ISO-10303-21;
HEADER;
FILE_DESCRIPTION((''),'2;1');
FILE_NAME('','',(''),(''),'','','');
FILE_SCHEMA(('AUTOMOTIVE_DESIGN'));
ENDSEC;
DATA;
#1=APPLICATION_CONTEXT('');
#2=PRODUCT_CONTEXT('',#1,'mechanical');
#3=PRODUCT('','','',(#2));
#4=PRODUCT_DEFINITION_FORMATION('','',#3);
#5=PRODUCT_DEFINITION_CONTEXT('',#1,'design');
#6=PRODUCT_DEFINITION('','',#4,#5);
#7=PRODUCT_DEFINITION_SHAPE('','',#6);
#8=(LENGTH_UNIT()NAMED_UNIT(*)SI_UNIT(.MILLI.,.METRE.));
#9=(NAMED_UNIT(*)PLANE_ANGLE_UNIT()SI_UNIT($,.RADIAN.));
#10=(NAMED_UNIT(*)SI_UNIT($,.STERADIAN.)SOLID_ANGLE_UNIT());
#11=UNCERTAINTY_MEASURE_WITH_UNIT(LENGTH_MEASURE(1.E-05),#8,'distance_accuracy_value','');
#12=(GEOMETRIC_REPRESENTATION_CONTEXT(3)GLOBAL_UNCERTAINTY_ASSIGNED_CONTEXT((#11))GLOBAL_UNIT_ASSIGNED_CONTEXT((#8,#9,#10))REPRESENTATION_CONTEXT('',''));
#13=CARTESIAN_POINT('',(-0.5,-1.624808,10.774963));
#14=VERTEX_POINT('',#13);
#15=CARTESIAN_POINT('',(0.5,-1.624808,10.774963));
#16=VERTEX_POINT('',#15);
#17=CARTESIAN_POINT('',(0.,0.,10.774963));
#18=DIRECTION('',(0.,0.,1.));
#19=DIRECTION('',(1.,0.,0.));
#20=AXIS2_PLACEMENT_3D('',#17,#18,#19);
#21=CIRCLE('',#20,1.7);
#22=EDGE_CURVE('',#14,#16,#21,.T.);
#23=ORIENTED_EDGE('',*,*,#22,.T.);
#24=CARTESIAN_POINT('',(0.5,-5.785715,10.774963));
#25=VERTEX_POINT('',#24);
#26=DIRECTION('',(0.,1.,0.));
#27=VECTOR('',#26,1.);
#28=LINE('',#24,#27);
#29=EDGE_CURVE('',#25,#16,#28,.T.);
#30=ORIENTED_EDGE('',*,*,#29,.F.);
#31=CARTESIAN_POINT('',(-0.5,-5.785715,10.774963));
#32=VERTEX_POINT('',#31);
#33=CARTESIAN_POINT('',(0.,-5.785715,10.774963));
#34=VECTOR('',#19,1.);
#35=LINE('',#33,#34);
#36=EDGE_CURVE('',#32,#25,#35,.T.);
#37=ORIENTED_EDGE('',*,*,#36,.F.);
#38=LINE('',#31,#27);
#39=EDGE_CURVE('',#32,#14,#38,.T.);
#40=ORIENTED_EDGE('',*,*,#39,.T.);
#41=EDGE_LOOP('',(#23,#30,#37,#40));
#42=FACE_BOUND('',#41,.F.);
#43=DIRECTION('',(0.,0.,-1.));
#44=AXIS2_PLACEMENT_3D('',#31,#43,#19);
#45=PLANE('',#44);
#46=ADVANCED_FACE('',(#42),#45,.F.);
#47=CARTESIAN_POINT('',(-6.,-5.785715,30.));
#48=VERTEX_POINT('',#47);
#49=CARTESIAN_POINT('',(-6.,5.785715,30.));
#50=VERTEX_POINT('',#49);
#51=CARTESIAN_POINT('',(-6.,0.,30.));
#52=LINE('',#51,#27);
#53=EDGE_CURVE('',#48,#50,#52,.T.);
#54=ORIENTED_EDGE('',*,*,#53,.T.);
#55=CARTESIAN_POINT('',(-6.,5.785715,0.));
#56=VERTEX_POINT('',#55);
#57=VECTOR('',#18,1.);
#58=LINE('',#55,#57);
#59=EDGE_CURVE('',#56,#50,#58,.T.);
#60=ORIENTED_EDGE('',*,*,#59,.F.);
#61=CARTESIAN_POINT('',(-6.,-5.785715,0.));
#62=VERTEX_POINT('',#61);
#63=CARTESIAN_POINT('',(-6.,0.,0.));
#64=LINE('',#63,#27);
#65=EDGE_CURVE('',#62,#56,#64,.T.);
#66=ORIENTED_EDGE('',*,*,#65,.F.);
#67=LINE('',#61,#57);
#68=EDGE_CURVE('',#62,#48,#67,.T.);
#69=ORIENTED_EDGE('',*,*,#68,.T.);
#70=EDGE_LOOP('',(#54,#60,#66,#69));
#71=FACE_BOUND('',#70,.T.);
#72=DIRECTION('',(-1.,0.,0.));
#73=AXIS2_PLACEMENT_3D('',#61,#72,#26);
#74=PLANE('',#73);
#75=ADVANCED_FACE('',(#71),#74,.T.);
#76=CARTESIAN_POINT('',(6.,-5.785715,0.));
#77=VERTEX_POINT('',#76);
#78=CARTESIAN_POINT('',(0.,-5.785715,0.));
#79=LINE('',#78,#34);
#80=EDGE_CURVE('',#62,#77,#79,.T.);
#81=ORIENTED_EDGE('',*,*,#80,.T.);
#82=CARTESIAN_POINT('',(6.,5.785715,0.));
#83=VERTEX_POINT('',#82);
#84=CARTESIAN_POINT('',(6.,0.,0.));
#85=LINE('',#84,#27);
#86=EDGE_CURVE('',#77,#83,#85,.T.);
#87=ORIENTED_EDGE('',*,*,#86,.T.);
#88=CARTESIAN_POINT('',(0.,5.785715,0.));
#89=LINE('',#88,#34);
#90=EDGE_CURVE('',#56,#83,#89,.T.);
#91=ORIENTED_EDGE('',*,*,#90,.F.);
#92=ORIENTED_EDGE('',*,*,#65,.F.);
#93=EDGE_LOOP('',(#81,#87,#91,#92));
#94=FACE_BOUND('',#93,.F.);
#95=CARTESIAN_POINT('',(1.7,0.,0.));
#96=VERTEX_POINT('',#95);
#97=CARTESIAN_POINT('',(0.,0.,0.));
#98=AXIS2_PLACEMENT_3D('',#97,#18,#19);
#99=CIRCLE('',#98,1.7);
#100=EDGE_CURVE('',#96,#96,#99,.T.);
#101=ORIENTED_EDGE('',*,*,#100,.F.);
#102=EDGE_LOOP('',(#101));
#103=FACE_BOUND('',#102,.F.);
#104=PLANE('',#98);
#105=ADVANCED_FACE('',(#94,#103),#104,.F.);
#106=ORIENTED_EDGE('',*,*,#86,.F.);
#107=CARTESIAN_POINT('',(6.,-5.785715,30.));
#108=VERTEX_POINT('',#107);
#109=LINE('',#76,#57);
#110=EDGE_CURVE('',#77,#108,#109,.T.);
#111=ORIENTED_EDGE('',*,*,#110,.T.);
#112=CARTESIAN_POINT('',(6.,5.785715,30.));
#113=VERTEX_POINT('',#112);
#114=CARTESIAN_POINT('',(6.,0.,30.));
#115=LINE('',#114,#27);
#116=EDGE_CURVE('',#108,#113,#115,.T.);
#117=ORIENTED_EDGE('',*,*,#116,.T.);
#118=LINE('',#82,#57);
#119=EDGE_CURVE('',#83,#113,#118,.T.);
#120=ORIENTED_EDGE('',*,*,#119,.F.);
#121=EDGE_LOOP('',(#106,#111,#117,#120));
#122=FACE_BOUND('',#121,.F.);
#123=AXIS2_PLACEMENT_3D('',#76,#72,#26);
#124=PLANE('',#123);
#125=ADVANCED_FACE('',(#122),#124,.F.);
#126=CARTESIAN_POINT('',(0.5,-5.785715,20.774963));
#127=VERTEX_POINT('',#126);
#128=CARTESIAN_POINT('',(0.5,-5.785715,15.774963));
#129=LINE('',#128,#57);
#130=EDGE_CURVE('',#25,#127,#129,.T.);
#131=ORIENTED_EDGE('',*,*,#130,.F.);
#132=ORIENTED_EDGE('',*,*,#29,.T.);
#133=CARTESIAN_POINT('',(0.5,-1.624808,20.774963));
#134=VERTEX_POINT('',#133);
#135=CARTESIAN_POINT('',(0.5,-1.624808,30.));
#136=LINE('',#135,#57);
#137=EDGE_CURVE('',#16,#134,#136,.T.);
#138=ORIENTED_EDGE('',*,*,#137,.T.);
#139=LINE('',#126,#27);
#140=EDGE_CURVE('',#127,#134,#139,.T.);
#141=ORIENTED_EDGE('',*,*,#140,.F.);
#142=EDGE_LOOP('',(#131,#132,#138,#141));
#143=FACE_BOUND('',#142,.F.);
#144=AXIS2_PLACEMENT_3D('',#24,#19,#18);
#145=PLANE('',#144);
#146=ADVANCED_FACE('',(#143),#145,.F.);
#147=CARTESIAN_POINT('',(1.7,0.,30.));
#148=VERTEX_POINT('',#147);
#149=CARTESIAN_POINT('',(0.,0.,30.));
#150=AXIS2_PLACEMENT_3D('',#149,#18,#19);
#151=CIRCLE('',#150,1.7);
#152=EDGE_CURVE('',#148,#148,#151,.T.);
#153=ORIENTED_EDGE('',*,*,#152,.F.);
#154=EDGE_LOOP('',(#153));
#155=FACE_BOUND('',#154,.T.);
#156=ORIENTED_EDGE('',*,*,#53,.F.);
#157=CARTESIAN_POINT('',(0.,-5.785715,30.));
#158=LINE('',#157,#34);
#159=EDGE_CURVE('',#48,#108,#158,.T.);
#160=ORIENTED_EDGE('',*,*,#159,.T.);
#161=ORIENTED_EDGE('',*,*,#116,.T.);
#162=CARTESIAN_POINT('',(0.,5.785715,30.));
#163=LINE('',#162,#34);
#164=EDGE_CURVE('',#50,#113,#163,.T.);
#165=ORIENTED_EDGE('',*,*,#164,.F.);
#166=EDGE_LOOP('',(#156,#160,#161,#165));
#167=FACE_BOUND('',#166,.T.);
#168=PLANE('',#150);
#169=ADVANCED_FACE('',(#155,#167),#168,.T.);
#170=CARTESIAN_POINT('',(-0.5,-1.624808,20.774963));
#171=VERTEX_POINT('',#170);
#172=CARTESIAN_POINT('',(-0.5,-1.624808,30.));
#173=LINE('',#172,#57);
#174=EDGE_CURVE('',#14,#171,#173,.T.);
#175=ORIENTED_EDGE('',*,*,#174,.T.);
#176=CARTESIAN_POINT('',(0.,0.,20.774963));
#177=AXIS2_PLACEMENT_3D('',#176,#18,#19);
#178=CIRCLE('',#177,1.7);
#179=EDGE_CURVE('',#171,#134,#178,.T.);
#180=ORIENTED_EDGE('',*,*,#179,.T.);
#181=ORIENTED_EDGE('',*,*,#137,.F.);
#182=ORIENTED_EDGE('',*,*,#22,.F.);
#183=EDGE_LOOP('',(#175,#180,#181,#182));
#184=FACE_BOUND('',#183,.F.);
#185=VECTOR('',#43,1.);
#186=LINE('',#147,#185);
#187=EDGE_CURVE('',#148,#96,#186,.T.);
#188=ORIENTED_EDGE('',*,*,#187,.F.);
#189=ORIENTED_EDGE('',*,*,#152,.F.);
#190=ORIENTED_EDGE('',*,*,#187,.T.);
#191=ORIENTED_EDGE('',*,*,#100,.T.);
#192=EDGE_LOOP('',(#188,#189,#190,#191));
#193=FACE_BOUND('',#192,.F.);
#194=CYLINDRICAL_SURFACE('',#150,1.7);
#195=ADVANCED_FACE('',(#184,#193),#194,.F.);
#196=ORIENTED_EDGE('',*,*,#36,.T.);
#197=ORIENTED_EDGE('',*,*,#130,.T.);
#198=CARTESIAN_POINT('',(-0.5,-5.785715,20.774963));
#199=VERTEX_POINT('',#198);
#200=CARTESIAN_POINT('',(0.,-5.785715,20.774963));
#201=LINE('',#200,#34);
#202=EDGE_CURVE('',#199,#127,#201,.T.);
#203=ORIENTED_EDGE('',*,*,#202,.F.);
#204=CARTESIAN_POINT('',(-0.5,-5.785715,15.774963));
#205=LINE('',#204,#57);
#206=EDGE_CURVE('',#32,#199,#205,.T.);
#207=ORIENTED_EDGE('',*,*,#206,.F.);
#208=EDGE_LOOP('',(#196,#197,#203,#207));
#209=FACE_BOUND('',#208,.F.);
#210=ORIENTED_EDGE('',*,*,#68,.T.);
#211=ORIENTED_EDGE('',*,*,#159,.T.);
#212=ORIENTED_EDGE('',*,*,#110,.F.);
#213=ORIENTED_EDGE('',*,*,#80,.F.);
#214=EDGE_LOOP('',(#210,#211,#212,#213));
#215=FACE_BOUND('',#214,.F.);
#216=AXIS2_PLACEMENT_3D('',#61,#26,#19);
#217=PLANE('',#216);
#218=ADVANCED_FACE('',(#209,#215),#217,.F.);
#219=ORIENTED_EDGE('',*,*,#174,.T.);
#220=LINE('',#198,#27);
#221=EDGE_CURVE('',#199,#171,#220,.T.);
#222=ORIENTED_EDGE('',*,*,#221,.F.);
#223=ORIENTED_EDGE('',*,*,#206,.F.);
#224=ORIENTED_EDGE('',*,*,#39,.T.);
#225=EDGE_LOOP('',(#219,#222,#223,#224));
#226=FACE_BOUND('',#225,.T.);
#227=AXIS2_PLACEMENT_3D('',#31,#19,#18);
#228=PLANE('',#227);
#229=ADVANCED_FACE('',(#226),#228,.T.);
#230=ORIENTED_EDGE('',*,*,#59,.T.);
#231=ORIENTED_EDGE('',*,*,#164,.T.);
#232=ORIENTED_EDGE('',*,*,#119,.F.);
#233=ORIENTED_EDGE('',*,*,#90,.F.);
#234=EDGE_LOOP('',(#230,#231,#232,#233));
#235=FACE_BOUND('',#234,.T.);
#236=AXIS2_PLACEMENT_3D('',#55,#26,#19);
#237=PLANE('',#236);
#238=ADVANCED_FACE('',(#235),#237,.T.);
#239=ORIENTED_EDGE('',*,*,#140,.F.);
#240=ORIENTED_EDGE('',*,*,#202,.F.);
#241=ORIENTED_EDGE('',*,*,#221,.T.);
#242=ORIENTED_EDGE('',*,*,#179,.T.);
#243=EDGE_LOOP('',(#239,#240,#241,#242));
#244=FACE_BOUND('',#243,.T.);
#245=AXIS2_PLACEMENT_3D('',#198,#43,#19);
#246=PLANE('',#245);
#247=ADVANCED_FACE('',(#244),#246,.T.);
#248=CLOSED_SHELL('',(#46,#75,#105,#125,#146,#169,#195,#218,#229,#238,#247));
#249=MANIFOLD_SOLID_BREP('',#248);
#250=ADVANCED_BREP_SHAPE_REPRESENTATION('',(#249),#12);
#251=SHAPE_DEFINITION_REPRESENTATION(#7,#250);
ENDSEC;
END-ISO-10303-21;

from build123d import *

# Parameters (mm, degrees)
F0_W     = 12
F0_H     = 11.57143
F1_DEPTH = 30
F2_R     = 1.7
F3_DEPTH = 30
F4_W     = 1
F4_H     = 10
F5_DEPTH = 6


with BuildPart() as f1:
    # F0 (on Top) → F1 (new body)
    with BuildSketch(Plane.XY):
        Rectangle(F0_W, F0_H)
    extrude(amount=F1_DEPTH)

    # F2 (on face) → F3 (cut)
    with BuildSketch(Plane.XY.offset(30)):
        Circle(F2_R)
    extrude(amount=-F3_DEPTH, mode=Mode.SUBTRACT)

    # F4 (on face) → F5 (cut)
    with BuildSketch(Plane.XZ.offset(5.785715)):
        with Locations((0, 15.774963)):
            Rectangle(F4_W, F4_H)
    extrude(amount=-F5_DEPTH, mode=Mode.SUBTRACT)


solid = f1.part
